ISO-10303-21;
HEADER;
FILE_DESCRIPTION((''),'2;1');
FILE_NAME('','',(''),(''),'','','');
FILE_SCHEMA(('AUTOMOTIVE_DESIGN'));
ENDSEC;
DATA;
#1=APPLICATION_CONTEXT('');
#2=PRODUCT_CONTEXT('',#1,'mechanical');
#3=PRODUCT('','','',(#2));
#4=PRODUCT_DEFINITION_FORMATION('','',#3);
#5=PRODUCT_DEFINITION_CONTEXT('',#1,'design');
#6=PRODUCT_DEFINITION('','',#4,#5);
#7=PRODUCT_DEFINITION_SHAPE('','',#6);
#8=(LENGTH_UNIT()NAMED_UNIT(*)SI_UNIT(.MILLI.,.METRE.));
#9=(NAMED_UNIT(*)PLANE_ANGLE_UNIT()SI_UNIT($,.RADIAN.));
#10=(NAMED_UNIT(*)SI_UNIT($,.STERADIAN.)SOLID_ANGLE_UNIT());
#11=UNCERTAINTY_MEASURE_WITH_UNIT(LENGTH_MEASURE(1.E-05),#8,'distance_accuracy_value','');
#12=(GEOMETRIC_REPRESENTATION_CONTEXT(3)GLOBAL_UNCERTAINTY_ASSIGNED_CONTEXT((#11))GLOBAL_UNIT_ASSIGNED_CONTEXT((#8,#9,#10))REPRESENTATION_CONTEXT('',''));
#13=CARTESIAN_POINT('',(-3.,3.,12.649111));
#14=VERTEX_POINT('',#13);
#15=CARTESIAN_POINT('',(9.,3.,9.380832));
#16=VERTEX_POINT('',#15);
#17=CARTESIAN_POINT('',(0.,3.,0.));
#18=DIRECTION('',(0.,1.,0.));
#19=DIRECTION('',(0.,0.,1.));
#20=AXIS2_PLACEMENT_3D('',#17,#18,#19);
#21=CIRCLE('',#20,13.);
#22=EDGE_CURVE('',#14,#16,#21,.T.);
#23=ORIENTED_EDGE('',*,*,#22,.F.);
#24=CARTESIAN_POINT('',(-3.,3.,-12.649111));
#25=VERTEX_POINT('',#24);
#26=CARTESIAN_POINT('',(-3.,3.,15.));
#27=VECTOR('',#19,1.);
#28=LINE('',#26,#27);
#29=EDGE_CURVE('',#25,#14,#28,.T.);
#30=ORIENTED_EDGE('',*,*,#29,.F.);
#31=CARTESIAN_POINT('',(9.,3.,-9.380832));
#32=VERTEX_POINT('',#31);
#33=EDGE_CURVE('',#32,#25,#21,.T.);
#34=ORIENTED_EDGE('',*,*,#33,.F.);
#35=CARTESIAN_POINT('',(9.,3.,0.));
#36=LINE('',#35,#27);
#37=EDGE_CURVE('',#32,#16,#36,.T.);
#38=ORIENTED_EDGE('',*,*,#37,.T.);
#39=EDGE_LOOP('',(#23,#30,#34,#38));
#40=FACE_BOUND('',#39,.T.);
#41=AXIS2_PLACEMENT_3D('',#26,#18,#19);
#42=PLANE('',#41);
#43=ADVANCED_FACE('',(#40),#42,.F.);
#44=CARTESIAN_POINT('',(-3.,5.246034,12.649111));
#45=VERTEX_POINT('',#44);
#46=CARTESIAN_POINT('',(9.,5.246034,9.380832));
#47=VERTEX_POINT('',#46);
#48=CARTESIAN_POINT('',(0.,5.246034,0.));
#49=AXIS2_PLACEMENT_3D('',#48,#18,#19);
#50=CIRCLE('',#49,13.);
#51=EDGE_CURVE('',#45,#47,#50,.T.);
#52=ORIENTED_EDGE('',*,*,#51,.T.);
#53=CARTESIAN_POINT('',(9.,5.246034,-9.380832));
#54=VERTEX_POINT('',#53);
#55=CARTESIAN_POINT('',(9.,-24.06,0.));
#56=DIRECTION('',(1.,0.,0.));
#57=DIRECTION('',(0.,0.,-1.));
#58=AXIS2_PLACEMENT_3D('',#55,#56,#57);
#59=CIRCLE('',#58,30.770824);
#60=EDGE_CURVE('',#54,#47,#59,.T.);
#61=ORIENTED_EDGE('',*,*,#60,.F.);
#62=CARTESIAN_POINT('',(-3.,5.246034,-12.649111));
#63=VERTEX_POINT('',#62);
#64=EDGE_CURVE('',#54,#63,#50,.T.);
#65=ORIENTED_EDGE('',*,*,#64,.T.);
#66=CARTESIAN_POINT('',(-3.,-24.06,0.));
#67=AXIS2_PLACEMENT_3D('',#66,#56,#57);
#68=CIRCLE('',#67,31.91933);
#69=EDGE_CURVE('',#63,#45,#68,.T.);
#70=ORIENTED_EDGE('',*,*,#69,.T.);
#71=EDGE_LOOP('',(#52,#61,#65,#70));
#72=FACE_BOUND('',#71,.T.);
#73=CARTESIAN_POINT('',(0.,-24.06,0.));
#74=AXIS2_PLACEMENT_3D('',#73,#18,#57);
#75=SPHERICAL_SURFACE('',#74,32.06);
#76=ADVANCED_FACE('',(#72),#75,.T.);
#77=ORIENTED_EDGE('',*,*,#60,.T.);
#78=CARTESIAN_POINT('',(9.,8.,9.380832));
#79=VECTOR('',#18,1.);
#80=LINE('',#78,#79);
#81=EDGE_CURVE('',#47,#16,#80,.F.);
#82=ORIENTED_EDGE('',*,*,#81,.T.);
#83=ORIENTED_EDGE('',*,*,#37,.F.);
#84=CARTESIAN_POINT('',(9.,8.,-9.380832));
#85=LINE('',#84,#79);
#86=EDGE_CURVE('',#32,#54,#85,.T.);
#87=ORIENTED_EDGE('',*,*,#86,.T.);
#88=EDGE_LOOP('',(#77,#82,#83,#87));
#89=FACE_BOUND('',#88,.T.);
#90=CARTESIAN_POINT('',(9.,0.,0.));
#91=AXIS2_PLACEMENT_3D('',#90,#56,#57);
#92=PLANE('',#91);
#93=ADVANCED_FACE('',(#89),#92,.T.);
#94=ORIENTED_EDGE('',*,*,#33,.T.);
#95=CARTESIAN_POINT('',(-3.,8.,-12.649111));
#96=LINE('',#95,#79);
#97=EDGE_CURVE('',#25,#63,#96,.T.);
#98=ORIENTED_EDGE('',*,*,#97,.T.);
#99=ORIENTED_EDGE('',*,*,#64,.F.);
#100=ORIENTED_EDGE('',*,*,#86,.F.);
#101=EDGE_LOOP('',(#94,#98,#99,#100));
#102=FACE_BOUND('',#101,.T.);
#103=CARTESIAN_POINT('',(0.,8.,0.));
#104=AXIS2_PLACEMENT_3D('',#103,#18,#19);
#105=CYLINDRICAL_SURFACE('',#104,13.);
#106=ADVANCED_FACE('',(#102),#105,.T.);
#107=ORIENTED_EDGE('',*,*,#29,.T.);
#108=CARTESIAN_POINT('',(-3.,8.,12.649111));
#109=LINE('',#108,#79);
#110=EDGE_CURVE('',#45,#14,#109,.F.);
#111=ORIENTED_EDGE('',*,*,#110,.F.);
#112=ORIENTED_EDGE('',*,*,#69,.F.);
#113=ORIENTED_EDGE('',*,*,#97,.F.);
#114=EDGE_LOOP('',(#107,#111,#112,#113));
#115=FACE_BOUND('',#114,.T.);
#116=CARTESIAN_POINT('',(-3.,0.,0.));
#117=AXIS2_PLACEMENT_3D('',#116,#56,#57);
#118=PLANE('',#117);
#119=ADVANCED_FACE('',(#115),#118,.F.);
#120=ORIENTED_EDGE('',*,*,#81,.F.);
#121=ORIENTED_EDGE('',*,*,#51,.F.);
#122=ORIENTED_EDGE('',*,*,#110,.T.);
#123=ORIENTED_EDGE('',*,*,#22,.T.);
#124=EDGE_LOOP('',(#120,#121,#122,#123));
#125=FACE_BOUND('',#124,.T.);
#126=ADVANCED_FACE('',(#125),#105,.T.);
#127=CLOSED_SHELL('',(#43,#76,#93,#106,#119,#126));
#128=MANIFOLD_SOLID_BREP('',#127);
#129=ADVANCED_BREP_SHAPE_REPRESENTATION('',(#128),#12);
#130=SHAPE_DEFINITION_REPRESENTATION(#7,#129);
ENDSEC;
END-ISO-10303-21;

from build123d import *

# Parameters (mm, degrees)
SKETCH_2_OUTSIDE_W       = 35.526
SKETCH_2_OUTSIDE_H       = 35.526
SKETCH_2_OUTSIDE_W_2     = 12
SKETCH_2_OUTSIDE_H_2     = 28
CUT_EXTRUDE_1_DEPTH      = 9
SKETCH_3_W               = 30
SKETCH_3_H               = 3
CUT_EXTRUDE_2_DEPTH      = 10
CUT_EXTRUDE_2_DEPTH_BACK = 4


with BuildPart() as part:
    # Эскиз1 → Повернуть1 (revolve)
    with BuildSketch(Plane(origin=(0, 0, 0), x_dir=(0, 0, -1), z_dir=(1, 0, 0))):
        with BuildLine():
            Line((13, 1.217734844), (13, 5.246033508))
            ThreePointArc((13, 5.246033508), (6.644251866, 7.303952511), (0, 8))
            Line((0, 8), (0, 0))
            ThreePointArc((0, 0), (6.528454606, 0.305098605), (13, 1.217734844))
        make_face()
    revolve(axis=Axis((0, 8, 0), (0, -1, 0)))

    # Эскиз2 outside → Вырез-Вытянуть1 (cut, through all)
    with BuildSketch(Plane.XZ.offset(-8)):
        Rectangle(SKETCH_2_OUTSIDE_W, SKETCH_2_OUTSIDE_H)
        with Locations((3, 0)):
            Rectangle(SKETCH_2_OUTSIDE_W_2, SKETCH_2_OUTSIDE_H_2, mode=Mode.SUBTRACT)
    extrude(amount=CUT_EXTRUDE_1_DEPTH, mode=Mode.SUBTRACT)

    # Эскиз3 → Вырез-Вытянуть2 (cut, two sides)
    with BuildSketch(Plane(origin=(0, 0, 0), x_dir=(0, 0, -1), z_dir=(1, 0, 0))) as cut_extrude_2_sk:
        with Locations((0, 1.5)):
            Rectangle(SKETCH_3_W, SKETCH_3_H)
    extrude(amount=CUT_EXTRUDE_2_DEPTH, mode=Mode.SUBTRACT)
    extrude(cut_extrude_2_sk.sketch, amount=-CUT_EXTRUDE_2_DEPTH_BACK, mode=Mode.SUBTRACT)


solid = part.part
